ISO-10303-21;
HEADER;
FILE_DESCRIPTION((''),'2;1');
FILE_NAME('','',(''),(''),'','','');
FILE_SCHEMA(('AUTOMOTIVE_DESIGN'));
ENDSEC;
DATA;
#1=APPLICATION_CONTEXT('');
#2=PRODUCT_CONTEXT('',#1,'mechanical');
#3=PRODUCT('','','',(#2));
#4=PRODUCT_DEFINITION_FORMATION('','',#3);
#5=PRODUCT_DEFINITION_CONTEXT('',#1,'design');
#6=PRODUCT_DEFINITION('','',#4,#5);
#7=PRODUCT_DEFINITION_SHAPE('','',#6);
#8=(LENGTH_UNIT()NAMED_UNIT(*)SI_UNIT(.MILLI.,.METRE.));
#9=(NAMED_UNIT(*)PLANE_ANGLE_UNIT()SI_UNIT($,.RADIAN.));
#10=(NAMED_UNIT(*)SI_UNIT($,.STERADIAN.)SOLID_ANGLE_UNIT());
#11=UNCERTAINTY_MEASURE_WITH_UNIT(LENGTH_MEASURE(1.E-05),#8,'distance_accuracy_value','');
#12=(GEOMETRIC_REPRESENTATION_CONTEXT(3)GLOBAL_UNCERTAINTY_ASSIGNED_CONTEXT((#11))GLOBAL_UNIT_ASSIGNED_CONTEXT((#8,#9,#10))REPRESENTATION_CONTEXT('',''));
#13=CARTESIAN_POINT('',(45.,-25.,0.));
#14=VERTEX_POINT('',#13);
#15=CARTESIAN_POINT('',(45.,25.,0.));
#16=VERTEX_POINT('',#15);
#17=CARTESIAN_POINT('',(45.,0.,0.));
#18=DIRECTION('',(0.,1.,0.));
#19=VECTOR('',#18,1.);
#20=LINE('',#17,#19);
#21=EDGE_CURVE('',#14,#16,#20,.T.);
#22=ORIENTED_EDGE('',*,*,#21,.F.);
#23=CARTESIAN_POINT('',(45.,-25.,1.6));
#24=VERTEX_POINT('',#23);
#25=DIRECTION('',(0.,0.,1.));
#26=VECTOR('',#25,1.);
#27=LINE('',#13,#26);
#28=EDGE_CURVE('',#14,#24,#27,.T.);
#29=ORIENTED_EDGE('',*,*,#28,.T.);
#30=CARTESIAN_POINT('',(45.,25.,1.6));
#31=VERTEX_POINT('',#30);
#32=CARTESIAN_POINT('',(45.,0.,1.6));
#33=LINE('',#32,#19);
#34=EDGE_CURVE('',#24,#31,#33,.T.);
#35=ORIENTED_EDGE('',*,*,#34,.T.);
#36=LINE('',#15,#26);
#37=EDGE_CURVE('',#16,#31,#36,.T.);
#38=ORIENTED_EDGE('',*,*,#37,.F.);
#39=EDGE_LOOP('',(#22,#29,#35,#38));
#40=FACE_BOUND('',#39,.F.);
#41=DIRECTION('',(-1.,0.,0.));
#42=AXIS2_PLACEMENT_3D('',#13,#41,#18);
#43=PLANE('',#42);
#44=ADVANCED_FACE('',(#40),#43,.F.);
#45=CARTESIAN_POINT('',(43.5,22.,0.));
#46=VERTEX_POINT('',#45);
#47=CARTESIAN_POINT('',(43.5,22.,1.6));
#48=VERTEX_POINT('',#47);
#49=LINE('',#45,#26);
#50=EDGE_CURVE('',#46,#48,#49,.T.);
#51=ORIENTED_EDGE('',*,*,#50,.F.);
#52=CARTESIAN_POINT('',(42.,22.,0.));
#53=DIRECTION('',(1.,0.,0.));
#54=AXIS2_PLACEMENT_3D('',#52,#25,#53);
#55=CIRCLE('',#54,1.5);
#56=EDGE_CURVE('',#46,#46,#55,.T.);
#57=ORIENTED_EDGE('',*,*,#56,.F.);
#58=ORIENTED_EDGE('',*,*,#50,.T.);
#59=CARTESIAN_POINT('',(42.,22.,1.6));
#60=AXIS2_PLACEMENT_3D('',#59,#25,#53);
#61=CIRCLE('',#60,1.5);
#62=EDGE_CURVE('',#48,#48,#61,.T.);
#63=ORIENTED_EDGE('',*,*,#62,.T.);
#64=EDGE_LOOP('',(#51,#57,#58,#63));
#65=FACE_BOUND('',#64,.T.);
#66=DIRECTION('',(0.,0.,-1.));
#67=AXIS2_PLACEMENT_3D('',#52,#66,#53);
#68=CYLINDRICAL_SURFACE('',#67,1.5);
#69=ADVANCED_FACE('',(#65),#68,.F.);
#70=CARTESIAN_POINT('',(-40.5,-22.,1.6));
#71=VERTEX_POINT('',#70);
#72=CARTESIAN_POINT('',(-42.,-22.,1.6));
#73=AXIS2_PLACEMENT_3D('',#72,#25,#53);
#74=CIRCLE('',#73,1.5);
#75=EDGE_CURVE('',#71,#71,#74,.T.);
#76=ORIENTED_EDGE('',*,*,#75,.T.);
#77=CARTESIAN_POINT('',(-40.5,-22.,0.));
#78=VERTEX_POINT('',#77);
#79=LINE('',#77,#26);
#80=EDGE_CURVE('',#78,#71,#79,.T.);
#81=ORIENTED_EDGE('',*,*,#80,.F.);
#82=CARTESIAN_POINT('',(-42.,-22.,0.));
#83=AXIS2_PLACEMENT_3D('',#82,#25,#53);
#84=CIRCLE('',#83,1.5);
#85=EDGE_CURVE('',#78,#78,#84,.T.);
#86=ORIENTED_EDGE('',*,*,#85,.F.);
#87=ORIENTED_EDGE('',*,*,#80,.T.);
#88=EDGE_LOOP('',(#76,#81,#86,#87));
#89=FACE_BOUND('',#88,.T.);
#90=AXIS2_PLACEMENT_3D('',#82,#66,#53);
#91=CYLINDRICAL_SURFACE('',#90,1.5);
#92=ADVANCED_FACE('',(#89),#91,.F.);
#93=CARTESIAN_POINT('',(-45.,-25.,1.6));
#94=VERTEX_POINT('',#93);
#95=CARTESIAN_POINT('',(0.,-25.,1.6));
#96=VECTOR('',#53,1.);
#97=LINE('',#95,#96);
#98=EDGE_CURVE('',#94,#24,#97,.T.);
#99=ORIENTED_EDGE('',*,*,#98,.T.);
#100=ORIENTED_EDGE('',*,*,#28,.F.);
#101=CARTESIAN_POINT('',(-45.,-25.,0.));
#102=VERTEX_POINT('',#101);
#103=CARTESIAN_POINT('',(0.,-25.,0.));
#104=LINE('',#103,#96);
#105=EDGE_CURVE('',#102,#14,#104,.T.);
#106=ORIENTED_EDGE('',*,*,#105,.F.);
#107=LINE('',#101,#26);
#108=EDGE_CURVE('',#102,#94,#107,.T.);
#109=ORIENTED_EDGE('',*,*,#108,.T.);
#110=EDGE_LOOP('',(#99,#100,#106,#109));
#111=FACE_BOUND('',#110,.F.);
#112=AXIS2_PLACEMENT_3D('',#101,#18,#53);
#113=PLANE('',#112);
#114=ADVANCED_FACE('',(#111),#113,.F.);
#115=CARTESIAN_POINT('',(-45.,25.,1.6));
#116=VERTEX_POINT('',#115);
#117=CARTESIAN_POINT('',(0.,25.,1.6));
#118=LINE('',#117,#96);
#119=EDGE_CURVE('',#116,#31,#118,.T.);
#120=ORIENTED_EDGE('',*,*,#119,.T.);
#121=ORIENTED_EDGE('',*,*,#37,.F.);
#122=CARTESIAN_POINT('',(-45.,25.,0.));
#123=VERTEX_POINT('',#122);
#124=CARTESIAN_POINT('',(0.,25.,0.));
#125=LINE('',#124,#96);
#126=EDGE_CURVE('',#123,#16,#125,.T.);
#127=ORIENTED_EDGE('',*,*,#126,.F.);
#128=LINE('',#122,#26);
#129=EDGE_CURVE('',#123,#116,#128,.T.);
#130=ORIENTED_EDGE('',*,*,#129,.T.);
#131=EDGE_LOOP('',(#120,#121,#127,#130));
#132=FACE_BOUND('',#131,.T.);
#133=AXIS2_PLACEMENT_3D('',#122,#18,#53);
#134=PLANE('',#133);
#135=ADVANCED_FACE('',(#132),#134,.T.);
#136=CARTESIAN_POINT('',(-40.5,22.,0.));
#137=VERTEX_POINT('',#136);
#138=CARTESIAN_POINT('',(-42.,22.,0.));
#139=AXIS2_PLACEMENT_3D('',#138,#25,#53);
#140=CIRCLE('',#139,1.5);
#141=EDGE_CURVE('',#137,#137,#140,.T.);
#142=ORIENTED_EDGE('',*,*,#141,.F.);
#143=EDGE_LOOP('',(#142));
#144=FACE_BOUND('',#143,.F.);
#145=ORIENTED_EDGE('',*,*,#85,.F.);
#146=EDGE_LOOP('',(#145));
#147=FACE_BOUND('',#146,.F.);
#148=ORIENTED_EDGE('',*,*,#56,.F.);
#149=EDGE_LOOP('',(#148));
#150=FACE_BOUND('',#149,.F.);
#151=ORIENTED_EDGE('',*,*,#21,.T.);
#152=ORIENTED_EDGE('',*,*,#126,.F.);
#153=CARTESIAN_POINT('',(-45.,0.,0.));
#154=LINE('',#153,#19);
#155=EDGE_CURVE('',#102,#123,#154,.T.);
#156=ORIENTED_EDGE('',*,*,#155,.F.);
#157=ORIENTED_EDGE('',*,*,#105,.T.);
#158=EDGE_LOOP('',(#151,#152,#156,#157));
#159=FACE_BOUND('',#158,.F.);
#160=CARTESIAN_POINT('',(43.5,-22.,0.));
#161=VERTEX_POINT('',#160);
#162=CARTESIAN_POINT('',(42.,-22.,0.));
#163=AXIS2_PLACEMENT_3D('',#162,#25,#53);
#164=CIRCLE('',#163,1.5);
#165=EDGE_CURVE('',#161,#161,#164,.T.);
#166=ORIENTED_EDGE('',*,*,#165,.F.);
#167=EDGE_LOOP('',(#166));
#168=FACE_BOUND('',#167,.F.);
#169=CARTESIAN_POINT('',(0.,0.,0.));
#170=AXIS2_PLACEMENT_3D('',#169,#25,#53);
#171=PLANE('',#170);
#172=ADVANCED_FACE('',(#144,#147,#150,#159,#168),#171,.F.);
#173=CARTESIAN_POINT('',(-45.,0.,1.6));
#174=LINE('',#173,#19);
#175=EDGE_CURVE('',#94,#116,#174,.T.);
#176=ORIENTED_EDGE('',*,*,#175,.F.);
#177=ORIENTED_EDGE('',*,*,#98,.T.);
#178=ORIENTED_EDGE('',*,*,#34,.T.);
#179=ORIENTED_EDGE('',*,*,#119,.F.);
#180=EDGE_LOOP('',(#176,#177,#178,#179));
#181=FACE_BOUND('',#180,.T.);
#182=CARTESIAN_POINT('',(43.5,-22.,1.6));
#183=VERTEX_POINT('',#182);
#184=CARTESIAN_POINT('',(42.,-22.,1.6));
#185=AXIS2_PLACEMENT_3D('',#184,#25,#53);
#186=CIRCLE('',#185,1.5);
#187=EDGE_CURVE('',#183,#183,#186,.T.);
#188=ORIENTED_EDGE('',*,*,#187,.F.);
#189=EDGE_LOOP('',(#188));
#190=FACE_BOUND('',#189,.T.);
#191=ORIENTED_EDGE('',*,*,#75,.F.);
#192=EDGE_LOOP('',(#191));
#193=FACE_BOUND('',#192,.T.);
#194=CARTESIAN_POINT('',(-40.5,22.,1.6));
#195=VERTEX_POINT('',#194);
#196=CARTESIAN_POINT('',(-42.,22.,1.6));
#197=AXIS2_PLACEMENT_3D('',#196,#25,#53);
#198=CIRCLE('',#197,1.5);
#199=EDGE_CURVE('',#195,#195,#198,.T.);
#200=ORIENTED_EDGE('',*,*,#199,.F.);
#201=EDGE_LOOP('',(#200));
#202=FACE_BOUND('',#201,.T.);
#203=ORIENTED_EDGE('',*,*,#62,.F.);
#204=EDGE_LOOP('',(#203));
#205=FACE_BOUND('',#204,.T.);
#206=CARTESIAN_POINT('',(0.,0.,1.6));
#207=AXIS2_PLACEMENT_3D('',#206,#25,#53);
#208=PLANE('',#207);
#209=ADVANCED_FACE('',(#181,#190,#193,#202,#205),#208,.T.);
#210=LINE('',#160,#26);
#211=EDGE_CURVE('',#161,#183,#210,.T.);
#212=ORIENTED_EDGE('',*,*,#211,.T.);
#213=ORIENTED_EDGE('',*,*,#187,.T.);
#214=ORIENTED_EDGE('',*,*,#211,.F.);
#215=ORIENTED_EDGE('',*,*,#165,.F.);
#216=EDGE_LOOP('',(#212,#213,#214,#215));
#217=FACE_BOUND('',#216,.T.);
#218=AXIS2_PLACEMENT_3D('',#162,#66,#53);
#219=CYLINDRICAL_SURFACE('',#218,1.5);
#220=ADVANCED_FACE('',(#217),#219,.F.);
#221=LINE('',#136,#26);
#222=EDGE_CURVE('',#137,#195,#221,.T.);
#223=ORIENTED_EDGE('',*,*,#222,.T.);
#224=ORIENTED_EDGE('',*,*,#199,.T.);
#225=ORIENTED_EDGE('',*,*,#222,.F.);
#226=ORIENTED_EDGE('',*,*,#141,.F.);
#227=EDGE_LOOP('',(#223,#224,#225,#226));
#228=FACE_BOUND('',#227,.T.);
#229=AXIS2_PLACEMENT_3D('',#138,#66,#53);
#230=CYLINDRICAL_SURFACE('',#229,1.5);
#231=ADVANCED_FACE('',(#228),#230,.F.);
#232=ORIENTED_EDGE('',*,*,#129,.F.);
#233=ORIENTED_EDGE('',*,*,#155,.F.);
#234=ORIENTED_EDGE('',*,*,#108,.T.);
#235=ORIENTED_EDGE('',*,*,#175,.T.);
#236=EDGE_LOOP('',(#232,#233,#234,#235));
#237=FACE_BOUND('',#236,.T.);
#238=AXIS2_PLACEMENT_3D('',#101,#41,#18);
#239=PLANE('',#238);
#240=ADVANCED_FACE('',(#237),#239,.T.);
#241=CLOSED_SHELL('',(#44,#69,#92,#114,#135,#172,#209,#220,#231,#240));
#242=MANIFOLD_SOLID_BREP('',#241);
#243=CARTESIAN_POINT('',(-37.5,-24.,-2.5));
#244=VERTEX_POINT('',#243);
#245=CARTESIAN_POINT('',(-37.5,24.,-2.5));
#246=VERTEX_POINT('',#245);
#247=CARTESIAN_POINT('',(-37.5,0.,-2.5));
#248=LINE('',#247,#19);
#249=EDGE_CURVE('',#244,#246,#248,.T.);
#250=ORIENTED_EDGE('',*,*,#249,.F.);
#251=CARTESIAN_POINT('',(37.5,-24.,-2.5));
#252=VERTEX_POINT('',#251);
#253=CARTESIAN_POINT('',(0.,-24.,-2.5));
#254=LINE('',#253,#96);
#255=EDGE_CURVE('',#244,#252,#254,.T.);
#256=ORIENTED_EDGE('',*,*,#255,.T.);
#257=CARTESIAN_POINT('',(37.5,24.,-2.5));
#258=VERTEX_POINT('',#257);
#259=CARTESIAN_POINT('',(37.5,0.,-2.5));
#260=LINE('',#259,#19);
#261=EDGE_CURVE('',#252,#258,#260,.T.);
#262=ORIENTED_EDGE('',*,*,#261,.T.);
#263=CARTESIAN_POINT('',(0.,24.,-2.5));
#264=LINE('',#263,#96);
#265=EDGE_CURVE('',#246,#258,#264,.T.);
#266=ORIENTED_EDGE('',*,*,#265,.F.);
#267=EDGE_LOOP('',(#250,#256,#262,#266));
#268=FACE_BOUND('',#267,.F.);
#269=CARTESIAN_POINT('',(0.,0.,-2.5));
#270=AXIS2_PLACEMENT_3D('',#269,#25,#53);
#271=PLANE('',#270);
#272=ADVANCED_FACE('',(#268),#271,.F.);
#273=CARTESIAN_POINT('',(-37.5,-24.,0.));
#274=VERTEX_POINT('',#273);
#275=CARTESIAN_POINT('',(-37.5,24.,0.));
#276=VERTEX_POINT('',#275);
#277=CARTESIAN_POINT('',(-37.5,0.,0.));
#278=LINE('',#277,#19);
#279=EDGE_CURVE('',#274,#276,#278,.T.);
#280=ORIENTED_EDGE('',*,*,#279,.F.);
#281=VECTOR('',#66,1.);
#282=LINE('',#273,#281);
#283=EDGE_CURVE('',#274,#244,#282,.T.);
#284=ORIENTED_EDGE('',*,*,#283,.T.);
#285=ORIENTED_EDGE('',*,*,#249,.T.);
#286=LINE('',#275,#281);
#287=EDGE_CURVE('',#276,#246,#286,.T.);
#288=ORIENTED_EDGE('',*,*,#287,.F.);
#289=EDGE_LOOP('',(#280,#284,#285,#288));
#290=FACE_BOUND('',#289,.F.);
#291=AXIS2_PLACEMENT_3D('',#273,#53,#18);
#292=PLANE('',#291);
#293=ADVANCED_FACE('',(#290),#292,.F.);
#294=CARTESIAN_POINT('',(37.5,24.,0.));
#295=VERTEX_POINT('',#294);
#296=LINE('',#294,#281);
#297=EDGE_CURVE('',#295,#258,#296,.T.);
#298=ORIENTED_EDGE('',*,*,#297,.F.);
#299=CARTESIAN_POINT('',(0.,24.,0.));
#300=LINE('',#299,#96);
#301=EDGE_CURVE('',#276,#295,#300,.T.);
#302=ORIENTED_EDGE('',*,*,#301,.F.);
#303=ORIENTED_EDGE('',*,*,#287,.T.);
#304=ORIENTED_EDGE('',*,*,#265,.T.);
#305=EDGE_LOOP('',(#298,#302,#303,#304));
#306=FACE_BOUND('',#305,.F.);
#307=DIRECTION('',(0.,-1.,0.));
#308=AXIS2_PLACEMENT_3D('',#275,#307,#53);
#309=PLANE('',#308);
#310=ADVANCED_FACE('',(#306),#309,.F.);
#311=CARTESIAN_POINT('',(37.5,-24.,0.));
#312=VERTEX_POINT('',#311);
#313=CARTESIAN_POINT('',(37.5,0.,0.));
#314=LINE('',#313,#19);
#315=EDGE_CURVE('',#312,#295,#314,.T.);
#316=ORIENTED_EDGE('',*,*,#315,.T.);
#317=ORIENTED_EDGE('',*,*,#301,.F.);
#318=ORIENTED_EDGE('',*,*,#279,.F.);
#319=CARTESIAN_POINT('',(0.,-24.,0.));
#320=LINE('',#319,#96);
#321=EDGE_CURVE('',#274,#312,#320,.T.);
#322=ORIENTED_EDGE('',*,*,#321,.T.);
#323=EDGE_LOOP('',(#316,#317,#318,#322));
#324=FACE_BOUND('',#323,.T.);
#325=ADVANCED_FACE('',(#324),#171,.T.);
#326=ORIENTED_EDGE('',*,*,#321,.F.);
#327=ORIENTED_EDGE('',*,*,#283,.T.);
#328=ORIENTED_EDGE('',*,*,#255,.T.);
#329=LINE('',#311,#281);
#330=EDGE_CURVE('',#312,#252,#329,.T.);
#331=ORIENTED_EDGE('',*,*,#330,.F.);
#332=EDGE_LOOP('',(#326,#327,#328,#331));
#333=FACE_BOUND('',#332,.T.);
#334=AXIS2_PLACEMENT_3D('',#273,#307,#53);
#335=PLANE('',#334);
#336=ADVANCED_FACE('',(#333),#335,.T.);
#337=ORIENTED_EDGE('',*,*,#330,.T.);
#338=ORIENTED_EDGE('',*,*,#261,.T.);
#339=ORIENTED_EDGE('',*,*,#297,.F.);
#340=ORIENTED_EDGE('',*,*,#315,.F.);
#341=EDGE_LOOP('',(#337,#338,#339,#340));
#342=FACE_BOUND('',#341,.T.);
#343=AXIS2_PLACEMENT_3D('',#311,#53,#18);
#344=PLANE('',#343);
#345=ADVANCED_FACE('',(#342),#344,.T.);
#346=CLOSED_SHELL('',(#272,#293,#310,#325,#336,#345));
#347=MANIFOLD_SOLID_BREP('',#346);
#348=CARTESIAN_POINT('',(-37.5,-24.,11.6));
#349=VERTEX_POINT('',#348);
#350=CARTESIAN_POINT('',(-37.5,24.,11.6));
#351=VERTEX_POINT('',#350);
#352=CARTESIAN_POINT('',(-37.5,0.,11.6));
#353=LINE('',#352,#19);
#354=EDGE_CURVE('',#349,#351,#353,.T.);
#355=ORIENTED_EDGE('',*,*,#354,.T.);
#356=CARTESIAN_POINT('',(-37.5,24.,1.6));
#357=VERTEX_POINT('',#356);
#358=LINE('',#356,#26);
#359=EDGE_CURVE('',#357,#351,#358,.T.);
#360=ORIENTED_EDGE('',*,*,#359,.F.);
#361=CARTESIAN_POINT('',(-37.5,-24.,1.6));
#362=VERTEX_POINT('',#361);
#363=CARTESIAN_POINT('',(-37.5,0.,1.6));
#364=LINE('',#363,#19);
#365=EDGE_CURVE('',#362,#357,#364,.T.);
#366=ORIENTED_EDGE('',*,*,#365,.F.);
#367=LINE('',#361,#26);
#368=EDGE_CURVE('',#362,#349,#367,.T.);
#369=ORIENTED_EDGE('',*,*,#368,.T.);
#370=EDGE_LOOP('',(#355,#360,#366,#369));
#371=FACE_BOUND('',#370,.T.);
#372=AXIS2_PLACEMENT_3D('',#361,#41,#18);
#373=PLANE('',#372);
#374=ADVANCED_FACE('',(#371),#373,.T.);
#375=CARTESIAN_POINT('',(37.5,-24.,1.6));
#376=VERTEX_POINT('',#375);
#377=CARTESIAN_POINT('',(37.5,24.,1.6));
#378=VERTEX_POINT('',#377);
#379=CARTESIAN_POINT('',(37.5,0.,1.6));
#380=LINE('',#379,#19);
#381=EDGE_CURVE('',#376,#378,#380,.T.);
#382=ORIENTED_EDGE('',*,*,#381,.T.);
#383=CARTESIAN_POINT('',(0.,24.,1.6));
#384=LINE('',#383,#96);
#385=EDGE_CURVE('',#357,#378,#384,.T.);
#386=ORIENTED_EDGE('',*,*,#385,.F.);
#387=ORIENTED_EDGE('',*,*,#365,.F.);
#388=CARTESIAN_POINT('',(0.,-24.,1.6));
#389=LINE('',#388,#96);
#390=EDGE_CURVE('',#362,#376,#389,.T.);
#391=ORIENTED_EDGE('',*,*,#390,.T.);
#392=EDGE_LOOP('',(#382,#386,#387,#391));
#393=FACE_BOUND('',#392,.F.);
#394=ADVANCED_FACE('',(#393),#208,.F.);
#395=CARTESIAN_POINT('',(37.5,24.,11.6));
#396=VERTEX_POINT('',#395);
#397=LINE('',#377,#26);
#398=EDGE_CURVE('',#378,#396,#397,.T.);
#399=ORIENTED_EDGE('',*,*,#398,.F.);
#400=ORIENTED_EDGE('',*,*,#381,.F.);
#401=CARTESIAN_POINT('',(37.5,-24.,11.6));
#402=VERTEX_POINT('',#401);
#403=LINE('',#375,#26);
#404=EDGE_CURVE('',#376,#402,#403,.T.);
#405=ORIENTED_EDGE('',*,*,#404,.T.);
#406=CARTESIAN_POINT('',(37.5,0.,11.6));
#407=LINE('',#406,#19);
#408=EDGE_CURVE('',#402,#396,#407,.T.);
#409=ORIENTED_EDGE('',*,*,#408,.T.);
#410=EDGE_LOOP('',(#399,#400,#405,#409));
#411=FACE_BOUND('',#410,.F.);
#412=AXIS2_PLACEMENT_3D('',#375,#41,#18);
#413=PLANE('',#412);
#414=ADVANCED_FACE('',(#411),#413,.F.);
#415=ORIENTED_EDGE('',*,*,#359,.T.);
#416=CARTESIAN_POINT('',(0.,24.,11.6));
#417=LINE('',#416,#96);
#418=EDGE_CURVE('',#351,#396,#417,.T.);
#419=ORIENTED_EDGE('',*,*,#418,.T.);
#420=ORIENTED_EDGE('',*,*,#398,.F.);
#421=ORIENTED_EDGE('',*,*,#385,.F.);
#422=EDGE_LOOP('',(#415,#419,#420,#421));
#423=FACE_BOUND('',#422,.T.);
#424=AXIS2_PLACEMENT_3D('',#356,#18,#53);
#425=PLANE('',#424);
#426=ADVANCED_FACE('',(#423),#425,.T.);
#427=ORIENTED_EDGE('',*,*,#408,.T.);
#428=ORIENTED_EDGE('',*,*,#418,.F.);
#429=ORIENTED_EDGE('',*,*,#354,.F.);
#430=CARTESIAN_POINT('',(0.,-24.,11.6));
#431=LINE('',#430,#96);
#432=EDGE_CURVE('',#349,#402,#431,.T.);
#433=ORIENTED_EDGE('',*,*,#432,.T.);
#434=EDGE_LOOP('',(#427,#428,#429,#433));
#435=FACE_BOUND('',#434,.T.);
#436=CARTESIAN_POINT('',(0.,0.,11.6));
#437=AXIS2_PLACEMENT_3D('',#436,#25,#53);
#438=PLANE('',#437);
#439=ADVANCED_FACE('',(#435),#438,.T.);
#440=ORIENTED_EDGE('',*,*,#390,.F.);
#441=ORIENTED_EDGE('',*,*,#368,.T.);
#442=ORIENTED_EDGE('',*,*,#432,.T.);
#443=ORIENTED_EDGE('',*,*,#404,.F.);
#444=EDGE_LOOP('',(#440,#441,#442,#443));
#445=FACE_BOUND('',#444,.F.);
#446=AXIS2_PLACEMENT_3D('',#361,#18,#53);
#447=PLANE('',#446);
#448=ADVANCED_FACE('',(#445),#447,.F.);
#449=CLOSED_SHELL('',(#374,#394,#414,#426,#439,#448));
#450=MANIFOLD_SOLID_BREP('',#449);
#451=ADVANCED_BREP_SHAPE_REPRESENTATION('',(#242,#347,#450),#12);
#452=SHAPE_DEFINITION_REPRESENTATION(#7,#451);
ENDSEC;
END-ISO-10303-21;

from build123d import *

# Parameters (mm, degrees)
F0_W     = 90
F0_H     = 50
F0_R     = 1.5
F0_W_2   = 75
F0_H_2   = 48
F1_DEPTH = 1.6
F3_W     = 75
F3_H     = 48
F4_DEPTH = 10
F5_DEPTH = 2.5


with BuildPart() as f1:
    # F0 (on Top) → F1 (new body)
    with BuildSketch(Plane.XY):
        Rectangle(F0_W, F0_H)
        with Locations((-42, -22)):
            Circle(F0_R, mode=Mode.SUBTRACT)
        with Locations((42, -22)):
            Circle(F0_R, mode=Mode.SUBTRACT)
        with Locations((-42, 22)):
            Circle(F0_R, mode=Mode.SUBTRACT)
        Rectangle(F0_W_2, F0_H_2, mode=Mode.SUBTRACT)
        with Locations((42, 22)):
            Circle(F0_R, mode=Mode.SUBTRACT)
        Rectangle(F0_W_2, F0_H_2)
    extrude(amount=F1_DEPTH)


with BuildPart() as f4:
    # F3 (on offset) → F4 (new body)
    with BuildSketch(Plane.XY.offset(1.6)):
        Rectangle(F3_W, F3_H)
    extrude(amount=F4_DEPTH)


with BuildPart() as f5:
    # F0 (on Top) → F5 (new body)
    with BuildSketch(Plane.XY):
        Rectangle(F0_W_2, F0_H_2)
    extrude(amount=-F5_DEPTH)


solid = Compound([f1.part, f4.part, f5.part])
